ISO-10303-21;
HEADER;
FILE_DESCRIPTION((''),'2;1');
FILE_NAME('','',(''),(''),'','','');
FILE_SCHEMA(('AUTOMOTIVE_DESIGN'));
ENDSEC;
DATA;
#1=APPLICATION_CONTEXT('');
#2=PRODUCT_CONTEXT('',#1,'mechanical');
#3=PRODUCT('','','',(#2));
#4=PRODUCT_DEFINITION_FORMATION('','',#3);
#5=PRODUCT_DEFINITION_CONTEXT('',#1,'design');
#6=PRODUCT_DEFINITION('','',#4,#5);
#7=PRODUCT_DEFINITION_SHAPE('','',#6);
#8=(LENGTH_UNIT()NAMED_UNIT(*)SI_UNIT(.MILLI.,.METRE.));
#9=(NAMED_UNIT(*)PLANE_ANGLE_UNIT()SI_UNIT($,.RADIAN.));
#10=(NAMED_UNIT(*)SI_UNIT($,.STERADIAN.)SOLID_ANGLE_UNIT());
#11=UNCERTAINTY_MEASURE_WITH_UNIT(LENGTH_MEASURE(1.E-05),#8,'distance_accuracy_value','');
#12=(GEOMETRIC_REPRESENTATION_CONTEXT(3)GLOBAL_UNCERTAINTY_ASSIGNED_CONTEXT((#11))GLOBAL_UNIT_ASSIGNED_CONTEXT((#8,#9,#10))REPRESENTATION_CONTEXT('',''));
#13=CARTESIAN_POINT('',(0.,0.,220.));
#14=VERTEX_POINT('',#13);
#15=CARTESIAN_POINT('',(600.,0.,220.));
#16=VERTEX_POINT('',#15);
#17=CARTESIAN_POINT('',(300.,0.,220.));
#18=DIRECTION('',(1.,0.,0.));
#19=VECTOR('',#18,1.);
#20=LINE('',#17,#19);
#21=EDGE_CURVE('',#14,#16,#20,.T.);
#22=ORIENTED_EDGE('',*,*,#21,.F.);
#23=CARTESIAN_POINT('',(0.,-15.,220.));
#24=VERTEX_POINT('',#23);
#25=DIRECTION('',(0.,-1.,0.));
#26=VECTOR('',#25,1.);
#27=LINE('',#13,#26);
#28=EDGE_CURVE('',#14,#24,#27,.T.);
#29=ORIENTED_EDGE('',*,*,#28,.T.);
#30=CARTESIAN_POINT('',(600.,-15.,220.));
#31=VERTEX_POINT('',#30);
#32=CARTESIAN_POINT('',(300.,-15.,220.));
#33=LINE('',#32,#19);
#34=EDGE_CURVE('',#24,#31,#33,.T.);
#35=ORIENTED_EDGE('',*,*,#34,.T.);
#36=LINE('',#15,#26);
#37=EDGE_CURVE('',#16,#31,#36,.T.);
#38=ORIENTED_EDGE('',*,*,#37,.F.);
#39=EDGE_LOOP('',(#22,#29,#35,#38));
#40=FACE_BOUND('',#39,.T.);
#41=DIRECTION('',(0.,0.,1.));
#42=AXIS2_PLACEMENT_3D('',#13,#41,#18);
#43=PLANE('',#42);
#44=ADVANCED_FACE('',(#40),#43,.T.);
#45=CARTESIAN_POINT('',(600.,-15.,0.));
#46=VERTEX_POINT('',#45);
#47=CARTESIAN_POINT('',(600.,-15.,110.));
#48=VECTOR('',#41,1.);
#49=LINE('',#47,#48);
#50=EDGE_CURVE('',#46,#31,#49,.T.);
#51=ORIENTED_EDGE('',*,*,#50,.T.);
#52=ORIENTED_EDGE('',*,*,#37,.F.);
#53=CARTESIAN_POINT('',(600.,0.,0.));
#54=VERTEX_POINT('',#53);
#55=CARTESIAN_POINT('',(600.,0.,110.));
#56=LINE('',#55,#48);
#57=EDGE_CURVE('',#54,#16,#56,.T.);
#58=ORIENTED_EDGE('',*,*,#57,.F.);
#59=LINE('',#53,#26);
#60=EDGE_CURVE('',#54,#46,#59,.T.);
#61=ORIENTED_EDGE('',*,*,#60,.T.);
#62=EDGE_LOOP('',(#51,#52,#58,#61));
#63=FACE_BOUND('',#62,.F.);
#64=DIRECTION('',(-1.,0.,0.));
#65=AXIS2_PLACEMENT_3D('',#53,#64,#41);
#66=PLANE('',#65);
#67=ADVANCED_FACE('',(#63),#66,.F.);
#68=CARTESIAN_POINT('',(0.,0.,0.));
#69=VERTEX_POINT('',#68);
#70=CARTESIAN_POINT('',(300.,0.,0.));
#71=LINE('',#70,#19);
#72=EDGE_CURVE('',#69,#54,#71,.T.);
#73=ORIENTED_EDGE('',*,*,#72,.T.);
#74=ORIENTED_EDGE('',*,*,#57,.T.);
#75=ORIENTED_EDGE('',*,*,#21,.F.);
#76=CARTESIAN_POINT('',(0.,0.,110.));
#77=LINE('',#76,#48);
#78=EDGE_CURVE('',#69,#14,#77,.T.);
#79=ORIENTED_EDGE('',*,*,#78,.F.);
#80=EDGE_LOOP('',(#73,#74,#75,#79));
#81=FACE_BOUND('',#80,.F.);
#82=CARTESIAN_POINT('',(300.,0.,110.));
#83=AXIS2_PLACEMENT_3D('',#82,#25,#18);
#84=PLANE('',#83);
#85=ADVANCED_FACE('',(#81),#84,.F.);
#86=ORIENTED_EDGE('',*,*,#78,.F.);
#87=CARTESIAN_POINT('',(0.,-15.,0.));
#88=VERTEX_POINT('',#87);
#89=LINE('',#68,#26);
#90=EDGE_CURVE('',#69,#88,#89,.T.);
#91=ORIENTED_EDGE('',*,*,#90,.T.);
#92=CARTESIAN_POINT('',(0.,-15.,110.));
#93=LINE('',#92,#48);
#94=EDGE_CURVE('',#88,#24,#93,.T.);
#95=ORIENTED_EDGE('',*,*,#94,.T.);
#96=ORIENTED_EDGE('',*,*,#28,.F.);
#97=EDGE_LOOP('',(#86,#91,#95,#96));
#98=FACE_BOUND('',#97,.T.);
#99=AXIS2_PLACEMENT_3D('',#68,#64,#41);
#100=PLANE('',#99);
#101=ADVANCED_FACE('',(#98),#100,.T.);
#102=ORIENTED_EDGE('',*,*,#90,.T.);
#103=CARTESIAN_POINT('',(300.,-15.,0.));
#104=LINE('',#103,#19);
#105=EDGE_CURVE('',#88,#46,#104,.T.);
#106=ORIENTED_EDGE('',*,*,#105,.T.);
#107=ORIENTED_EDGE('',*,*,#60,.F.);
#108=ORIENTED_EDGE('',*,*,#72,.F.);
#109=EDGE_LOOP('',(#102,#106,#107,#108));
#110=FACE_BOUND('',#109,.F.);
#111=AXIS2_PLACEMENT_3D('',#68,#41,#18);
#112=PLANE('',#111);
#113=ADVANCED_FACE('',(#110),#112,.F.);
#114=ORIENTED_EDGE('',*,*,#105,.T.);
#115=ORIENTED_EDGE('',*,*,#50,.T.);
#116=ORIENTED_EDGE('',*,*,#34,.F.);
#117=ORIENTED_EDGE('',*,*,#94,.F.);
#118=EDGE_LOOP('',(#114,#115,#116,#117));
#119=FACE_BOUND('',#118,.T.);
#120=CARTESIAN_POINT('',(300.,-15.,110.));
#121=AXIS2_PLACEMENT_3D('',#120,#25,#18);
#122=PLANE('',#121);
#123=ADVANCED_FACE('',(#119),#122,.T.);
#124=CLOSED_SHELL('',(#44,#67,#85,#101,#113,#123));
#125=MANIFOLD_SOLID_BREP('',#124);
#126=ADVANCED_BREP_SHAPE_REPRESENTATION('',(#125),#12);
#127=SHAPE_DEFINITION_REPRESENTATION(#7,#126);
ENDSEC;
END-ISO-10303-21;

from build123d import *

# Parameters (mm, degrees)
SKETCH_W  = 600
SKETCH_H  = 220
PAD_DEPTH = 15


with BuildPart() as part:
    # Sketch → Pad (new body)
    with BuildSketch(Plane.XZ):
        with Locations((300, 110)):
            Rectangle(SKETCH_W, SKETCH_H)
    extrude(amount=PAD_DEPTH)


solid = part.part
